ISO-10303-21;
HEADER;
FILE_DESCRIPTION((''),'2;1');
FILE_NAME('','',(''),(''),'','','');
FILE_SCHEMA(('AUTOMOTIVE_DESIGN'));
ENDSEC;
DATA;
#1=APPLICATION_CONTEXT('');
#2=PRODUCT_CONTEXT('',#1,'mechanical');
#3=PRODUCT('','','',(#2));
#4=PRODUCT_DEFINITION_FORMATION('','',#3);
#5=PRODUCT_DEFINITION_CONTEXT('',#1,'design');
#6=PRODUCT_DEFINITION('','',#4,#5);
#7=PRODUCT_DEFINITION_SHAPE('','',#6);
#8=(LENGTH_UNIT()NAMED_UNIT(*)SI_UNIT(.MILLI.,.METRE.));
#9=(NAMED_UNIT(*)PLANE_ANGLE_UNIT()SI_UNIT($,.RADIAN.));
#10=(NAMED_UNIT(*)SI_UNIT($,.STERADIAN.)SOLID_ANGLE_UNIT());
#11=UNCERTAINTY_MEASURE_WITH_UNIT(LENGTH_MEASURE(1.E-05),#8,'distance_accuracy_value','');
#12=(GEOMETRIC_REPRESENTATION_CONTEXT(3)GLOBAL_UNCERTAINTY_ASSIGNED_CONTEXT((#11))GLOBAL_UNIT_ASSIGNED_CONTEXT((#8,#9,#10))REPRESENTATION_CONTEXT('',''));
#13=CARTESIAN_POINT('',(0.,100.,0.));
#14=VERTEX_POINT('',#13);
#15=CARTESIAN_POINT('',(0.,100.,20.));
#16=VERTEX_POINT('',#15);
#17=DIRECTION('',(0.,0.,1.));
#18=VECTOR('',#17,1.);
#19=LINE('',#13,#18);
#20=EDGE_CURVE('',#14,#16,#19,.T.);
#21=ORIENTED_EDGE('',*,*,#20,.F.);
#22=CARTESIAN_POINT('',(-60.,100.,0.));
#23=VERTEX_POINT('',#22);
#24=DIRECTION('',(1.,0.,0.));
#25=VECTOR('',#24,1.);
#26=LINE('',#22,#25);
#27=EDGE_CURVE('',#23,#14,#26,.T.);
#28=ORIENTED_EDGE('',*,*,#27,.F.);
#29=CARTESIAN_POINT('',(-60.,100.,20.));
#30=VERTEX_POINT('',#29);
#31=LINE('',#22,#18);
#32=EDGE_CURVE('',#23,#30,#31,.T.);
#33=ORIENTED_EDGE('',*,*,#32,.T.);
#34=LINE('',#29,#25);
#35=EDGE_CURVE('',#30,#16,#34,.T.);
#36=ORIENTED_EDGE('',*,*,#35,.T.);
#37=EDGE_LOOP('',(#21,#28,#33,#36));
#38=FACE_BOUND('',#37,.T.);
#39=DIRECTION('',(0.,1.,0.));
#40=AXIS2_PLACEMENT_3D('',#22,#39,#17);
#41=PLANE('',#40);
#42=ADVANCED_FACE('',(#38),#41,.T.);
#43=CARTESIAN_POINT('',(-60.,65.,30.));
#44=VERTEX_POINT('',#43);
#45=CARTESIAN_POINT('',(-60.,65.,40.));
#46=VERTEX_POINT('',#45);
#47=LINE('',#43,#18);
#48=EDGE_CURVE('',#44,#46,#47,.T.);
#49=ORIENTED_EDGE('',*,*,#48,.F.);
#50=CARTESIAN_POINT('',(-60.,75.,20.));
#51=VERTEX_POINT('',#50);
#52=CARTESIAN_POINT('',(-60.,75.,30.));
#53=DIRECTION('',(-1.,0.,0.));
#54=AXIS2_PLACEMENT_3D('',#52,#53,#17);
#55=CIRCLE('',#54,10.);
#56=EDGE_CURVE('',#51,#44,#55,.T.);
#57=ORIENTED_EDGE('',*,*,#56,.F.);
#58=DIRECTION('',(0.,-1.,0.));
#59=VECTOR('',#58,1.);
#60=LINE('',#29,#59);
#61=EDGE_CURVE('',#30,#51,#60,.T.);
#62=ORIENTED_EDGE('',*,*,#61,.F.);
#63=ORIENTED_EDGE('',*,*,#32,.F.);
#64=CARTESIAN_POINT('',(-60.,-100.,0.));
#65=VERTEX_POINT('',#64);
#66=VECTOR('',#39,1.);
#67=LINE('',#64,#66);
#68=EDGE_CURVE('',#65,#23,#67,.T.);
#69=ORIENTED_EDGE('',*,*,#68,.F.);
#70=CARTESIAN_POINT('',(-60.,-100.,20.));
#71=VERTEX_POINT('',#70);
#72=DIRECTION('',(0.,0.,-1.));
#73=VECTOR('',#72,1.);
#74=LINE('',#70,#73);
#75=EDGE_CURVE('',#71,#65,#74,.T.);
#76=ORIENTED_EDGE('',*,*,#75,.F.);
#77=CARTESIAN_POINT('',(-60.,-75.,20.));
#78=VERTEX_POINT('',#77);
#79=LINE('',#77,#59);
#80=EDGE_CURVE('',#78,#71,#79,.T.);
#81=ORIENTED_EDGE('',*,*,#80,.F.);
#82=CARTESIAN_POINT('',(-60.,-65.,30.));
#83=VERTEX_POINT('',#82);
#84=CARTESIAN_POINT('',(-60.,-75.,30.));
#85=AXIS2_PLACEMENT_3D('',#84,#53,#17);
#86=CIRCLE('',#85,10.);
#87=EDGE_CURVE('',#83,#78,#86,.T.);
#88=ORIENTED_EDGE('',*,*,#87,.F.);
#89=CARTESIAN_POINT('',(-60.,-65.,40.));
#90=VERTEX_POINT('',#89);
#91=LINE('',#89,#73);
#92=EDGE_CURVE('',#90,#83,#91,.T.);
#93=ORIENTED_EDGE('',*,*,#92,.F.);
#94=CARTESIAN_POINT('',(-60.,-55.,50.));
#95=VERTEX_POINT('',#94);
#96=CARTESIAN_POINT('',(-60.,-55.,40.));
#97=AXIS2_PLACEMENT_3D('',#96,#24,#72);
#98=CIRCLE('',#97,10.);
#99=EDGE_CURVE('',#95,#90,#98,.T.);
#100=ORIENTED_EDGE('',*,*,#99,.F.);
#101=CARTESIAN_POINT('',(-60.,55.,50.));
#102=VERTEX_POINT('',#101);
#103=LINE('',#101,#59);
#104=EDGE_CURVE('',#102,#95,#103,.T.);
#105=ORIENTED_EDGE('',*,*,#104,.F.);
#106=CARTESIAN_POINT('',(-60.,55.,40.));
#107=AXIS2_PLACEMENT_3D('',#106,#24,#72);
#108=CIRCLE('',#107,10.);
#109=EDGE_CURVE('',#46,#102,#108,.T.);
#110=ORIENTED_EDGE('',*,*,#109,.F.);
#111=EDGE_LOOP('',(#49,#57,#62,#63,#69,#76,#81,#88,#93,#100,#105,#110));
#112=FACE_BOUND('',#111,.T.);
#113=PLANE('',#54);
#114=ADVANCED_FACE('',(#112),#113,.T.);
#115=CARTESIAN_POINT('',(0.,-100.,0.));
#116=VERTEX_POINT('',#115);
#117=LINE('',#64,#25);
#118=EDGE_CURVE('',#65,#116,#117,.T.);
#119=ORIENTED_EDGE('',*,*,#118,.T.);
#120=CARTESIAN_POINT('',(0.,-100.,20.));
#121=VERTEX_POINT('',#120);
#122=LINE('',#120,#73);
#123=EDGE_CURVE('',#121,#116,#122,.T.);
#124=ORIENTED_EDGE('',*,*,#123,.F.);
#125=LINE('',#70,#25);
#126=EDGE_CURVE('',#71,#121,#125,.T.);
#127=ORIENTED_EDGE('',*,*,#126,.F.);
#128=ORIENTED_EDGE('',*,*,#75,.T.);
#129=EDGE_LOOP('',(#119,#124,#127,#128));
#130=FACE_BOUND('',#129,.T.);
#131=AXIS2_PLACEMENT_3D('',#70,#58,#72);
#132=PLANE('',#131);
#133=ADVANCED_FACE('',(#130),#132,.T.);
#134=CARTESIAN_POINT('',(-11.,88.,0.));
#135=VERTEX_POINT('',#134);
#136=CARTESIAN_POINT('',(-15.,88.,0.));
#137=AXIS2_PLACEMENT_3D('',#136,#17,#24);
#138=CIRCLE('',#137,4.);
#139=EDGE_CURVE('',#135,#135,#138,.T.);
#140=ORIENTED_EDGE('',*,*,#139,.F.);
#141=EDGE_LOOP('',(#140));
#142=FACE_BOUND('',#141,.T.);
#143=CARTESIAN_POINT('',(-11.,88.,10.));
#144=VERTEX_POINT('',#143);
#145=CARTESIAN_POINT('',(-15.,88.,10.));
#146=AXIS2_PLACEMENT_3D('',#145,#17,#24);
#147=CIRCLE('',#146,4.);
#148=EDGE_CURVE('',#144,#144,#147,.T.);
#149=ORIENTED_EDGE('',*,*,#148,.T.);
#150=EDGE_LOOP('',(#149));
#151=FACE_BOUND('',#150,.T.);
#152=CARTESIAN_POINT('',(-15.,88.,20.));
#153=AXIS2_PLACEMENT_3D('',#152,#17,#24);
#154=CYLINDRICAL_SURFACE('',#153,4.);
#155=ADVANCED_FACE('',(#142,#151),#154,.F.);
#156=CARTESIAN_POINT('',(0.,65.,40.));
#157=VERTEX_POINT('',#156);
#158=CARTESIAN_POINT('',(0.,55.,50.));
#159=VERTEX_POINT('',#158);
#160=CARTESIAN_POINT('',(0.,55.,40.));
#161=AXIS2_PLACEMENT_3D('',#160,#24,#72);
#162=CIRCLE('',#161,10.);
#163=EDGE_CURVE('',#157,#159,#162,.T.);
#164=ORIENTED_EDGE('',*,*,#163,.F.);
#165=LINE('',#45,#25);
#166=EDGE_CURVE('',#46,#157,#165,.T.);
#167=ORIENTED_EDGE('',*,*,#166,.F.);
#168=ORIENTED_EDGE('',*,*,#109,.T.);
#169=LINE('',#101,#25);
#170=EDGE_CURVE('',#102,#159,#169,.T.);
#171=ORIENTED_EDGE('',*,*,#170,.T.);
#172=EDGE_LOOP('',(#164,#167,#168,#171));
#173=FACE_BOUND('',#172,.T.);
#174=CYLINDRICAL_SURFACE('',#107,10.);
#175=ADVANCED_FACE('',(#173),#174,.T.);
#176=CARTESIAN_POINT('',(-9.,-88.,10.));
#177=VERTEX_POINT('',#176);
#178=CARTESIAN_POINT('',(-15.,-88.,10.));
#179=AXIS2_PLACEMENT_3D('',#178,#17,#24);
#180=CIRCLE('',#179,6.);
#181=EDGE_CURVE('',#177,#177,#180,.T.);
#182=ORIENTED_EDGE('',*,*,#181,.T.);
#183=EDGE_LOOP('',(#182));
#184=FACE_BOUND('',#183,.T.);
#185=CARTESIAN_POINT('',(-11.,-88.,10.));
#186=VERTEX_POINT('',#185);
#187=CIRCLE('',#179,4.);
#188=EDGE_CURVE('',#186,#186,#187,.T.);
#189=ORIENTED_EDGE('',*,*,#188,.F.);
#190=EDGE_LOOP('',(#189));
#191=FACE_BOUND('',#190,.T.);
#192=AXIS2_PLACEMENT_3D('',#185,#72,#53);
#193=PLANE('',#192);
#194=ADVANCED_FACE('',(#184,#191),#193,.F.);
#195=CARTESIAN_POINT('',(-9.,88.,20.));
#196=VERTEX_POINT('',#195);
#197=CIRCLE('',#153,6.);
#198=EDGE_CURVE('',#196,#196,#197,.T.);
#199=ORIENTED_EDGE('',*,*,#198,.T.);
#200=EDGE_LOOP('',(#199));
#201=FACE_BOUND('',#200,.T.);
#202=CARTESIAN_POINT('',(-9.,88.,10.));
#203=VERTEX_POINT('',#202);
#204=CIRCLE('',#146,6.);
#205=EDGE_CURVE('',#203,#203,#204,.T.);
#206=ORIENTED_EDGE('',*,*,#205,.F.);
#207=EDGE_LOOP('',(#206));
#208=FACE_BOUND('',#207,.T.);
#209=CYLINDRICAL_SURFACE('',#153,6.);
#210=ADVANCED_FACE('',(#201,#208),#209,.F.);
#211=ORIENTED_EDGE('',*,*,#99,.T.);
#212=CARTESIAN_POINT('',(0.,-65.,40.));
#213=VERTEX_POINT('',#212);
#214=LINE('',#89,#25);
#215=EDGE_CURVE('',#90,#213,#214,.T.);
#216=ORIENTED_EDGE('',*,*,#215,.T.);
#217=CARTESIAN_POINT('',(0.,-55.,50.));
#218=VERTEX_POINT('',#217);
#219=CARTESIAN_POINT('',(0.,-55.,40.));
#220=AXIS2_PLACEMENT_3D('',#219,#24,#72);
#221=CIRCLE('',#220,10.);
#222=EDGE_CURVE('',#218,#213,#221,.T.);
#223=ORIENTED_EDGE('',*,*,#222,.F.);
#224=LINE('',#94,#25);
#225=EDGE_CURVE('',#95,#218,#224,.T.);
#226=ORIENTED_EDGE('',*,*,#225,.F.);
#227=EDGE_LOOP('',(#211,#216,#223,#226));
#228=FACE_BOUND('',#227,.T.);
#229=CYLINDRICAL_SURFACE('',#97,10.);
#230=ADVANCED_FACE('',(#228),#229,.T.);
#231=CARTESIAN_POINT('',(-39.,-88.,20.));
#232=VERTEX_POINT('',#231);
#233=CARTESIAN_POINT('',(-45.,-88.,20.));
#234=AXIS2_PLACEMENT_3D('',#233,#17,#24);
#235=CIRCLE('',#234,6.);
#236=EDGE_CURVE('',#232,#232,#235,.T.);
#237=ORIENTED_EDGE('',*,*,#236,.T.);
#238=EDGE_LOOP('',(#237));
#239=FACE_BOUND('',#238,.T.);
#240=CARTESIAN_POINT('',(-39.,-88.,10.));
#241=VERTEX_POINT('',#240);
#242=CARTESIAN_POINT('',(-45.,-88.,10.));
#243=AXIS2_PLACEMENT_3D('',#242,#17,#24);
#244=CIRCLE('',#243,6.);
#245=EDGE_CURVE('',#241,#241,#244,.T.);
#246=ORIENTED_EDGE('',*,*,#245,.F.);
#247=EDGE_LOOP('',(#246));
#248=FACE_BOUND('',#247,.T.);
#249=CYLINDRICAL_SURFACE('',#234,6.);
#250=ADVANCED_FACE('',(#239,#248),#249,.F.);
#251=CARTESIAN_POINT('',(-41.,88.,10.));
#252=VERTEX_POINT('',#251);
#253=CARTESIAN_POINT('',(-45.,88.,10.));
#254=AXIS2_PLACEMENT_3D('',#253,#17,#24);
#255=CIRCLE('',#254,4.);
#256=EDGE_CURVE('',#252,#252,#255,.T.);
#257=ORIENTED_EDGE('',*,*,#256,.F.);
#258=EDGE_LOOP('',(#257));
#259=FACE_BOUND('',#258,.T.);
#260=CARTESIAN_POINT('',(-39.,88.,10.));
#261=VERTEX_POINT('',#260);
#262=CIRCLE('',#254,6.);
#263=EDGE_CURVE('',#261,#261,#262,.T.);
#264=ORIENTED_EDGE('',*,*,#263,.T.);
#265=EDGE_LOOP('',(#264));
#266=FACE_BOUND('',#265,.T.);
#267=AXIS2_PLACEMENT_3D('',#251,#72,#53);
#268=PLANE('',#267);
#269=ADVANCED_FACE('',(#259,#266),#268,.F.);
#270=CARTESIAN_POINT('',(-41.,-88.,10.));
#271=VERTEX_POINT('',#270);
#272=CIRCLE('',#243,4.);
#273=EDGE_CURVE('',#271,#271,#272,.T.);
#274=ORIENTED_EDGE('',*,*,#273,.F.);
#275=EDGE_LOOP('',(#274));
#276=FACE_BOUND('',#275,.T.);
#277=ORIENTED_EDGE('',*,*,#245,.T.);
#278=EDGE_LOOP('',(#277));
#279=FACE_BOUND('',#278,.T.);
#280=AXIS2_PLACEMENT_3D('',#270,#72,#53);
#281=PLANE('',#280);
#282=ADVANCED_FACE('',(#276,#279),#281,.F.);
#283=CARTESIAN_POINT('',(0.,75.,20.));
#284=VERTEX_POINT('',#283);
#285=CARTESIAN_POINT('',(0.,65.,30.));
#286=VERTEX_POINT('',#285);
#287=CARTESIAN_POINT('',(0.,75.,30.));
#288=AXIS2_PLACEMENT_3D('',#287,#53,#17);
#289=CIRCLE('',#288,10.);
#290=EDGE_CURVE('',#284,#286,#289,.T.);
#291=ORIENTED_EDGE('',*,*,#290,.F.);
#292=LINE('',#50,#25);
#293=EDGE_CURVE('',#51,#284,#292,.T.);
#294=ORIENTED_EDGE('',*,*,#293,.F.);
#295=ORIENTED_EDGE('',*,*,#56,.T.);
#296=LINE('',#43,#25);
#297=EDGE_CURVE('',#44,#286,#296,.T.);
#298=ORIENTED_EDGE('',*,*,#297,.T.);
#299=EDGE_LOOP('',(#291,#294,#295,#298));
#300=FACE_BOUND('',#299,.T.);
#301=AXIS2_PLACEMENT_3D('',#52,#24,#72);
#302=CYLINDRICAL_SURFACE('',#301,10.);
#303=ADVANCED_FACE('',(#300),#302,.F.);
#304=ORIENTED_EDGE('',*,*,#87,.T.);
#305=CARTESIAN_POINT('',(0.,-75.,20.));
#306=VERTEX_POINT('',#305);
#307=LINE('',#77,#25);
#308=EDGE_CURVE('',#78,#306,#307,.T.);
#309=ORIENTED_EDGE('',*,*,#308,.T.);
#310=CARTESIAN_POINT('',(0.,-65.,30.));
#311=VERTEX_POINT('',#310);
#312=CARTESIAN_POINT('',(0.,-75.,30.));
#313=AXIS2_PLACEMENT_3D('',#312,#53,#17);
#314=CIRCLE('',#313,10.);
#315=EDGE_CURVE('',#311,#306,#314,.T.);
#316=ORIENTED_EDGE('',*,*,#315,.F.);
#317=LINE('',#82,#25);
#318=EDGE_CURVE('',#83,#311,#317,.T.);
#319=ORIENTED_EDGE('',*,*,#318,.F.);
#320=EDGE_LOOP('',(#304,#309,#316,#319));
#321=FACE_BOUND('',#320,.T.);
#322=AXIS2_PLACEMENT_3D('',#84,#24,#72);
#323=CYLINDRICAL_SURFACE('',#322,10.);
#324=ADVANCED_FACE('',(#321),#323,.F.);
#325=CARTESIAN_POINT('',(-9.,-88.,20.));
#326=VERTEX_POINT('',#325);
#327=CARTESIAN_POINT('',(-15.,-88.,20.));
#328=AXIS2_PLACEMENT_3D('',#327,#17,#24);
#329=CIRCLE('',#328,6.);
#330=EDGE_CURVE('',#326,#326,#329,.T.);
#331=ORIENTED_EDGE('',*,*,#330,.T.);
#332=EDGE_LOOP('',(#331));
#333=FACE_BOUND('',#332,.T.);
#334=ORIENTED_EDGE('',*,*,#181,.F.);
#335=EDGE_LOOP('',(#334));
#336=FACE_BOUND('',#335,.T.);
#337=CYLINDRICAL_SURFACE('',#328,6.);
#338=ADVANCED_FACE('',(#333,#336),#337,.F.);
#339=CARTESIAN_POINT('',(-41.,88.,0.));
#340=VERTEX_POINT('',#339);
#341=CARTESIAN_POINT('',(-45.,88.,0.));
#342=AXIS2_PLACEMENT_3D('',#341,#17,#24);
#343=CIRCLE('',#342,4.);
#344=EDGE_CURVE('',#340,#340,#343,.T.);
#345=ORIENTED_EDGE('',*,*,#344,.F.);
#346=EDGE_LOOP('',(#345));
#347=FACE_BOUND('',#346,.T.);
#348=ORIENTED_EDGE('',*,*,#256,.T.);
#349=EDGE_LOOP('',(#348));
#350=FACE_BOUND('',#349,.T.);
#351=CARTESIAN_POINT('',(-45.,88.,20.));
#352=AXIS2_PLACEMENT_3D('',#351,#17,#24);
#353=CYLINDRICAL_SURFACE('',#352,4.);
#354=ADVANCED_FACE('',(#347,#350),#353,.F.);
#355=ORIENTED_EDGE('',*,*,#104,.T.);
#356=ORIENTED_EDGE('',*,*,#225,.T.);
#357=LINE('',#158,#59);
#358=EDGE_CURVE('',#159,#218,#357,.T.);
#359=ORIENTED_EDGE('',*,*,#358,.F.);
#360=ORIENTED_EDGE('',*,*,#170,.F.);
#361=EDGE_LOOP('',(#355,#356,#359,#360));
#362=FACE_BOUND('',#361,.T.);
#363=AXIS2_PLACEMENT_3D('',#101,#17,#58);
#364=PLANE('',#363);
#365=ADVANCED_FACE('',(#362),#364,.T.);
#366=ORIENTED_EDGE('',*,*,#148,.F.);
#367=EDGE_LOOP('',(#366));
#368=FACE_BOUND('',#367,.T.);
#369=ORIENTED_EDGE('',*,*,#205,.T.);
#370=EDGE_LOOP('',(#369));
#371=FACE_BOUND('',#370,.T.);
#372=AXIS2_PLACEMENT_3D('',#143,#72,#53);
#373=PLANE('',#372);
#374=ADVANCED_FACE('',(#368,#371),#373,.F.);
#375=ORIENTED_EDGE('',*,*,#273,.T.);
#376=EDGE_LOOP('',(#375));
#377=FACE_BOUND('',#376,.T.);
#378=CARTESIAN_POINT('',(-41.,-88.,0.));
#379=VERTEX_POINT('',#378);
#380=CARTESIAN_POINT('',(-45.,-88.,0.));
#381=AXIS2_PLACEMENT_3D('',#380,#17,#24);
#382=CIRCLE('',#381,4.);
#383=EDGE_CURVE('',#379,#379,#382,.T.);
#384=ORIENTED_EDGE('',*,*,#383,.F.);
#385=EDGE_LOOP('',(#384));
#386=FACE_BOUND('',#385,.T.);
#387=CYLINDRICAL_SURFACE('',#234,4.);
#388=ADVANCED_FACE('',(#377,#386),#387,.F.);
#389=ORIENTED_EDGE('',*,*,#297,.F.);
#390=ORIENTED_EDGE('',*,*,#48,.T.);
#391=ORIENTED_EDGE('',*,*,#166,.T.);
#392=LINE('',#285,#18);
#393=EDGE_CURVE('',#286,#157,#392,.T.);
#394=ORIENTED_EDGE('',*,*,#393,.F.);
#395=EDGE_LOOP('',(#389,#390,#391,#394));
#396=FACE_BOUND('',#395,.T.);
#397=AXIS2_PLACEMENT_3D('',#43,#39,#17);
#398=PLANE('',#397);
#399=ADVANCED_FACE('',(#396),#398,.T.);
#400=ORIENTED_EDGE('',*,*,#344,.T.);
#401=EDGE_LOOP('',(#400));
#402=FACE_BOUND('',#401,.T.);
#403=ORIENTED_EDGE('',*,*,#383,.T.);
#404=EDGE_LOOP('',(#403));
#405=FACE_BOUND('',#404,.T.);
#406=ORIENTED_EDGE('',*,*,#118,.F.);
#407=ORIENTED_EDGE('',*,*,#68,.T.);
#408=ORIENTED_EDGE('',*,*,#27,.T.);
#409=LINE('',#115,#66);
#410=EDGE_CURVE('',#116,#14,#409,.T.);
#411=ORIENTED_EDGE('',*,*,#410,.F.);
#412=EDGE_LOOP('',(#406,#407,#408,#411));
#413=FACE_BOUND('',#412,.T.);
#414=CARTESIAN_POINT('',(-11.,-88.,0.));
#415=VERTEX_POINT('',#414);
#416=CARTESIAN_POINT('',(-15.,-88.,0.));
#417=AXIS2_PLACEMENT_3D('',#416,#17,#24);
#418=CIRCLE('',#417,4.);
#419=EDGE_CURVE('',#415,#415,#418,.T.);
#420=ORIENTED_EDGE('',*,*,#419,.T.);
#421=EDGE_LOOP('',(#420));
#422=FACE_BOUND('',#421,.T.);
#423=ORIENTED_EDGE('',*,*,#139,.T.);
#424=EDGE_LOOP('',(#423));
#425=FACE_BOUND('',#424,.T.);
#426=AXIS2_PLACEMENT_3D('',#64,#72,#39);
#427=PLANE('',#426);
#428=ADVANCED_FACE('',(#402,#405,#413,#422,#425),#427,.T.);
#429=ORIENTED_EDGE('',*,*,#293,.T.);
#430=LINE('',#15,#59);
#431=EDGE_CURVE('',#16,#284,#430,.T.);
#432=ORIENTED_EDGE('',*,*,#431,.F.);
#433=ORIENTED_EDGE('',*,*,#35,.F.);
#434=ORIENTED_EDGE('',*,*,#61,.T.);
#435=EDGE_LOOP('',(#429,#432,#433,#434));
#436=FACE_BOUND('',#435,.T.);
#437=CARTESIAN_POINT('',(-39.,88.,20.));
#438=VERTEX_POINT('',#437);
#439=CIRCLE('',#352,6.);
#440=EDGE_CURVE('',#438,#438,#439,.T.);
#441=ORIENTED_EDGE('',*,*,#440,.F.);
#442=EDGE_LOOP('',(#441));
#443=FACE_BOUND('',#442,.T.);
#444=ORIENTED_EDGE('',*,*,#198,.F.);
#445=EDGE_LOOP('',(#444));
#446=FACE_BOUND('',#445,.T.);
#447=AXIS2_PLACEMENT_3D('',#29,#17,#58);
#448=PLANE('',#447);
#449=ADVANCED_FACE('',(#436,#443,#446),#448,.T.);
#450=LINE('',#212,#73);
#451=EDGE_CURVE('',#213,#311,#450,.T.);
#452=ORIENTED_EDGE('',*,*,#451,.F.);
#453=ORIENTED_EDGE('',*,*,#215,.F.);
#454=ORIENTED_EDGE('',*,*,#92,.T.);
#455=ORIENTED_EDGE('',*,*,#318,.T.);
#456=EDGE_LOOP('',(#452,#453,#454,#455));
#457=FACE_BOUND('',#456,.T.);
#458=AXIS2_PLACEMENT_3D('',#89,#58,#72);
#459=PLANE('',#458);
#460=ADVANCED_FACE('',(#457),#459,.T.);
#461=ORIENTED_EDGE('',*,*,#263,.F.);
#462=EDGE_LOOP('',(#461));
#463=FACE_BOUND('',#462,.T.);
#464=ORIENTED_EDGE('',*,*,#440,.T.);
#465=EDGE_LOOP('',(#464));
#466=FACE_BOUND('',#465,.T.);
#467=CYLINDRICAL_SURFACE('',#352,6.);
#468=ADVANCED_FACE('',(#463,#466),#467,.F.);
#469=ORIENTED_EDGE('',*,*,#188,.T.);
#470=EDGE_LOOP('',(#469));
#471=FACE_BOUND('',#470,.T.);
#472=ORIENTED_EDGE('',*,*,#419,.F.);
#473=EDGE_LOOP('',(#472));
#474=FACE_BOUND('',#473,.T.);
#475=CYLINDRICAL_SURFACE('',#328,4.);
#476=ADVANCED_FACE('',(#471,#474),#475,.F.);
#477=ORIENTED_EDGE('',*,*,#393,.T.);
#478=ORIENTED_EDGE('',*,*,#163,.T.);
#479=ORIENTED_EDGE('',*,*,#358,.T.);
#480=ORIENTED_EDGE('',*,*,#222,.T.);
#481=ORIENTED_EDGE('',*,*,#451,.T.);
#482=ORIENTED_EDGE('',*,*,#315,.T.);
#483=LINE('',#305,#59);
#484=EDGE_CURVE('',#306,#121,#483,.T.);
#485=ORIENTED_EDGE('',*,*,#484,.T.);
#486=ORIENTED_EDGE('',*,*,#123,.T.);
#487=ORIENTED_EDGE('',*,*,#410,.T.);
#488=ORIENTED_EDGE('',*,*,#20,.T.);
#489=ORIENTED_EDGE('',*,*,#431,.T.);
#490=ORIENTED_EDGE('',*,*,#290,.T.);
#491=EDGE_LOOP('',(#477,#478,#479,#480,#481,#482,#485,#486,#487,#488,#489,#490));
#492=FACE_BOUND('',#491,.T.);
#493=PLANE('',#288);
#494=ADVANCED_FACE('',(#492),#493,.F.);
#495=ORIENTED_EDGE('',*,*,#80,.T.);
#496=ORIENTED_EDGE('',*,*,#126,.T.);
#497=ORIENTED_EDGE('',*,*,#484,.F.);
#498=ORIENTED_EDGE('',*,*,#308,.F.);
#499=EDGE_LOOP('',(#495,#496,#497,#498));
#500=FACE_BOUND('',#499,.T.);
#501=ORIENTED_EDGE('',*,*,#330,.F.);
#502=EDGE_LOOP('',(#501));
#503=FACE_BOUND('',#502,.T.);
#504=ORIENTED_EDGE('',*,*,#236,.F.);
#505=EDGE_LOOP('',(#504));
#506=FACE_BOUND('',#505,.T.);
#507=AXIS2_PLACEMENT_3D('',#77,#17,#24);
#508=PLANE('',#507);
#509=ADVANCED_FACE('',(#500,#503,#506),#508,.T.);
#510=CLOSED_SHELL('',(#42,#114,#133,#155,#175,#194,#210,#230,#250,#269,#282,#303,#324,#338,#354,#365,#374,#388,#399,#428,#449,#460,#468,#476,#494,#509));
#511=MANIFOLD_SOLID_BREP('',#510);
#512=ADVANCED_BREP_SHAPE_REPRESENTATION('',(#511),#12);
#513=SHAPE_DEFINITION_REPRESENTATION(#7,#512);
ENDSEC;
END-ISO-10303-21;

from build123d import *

# Parameters (mm, degrees)
BOSS_EXTRUDE1_DEPTH                      = 60
CBORE_FOR_M10_HEX_HEAD_BOLT1_D           = 8
CBORE_FOR_M10_HEX_HEAD_BOLT1_CBORE_D     = 12
CBORE_FOR_M10_HEX_HEAD_BOLT1_CBORE_DEPTH = 10


with BuildPart() as part:
    # Sketch1 → Boss-Extrude1 (new body)
    with BuildSketch(Plane.YZ):
        with BuildLine():
            Line((-100, 0), (100, 0))
            Line((100, 0), (100, 20))
            Line((100, 20), (75, 20))
            ThreePointArc((75, 20), (67.928932188, 22.928932188), (65, 30))
            Line((65, 30), (65, 40))
            ThreePointArc((65, 40), (62.071067812, 47.071067812), (55, 50))
            Line((55, 50), (-55, 50))
            ThreePointArc((-55, 50), (-62.071067812, 47.071067812), (-65, 40))
            Line((-65, 40), (-65, 30))
            ThreePointArc((-65, 30), (-67.928932188, 22.928932188), (-75, 20))
            Line((-75, 20), (-100, 20))
            Line((-100, 20), (-100, 0))
        make_face()
    extrude(amount=-BOSS_EXTRUDE1_DEPTH)

    # CBORE for M10 Hex Head Bolt1 (through all)
    with Locations(Plane.XY.offset(20)):
        with Locations((-15, -88), (-45, -88), (-45, 88), (-15, 88)):
            CounterBoreHole(CBORE_FOR_M10_HEX_HEAD_BOLT1_D / 2, CBORE_FOR_M10_HEX_HEAD_BOLT1_CBORE_D / 2, CBORE_FOR_M10_HEX_HEAD_BOLT1_CBORE_DEPTH)


solid = part.part
